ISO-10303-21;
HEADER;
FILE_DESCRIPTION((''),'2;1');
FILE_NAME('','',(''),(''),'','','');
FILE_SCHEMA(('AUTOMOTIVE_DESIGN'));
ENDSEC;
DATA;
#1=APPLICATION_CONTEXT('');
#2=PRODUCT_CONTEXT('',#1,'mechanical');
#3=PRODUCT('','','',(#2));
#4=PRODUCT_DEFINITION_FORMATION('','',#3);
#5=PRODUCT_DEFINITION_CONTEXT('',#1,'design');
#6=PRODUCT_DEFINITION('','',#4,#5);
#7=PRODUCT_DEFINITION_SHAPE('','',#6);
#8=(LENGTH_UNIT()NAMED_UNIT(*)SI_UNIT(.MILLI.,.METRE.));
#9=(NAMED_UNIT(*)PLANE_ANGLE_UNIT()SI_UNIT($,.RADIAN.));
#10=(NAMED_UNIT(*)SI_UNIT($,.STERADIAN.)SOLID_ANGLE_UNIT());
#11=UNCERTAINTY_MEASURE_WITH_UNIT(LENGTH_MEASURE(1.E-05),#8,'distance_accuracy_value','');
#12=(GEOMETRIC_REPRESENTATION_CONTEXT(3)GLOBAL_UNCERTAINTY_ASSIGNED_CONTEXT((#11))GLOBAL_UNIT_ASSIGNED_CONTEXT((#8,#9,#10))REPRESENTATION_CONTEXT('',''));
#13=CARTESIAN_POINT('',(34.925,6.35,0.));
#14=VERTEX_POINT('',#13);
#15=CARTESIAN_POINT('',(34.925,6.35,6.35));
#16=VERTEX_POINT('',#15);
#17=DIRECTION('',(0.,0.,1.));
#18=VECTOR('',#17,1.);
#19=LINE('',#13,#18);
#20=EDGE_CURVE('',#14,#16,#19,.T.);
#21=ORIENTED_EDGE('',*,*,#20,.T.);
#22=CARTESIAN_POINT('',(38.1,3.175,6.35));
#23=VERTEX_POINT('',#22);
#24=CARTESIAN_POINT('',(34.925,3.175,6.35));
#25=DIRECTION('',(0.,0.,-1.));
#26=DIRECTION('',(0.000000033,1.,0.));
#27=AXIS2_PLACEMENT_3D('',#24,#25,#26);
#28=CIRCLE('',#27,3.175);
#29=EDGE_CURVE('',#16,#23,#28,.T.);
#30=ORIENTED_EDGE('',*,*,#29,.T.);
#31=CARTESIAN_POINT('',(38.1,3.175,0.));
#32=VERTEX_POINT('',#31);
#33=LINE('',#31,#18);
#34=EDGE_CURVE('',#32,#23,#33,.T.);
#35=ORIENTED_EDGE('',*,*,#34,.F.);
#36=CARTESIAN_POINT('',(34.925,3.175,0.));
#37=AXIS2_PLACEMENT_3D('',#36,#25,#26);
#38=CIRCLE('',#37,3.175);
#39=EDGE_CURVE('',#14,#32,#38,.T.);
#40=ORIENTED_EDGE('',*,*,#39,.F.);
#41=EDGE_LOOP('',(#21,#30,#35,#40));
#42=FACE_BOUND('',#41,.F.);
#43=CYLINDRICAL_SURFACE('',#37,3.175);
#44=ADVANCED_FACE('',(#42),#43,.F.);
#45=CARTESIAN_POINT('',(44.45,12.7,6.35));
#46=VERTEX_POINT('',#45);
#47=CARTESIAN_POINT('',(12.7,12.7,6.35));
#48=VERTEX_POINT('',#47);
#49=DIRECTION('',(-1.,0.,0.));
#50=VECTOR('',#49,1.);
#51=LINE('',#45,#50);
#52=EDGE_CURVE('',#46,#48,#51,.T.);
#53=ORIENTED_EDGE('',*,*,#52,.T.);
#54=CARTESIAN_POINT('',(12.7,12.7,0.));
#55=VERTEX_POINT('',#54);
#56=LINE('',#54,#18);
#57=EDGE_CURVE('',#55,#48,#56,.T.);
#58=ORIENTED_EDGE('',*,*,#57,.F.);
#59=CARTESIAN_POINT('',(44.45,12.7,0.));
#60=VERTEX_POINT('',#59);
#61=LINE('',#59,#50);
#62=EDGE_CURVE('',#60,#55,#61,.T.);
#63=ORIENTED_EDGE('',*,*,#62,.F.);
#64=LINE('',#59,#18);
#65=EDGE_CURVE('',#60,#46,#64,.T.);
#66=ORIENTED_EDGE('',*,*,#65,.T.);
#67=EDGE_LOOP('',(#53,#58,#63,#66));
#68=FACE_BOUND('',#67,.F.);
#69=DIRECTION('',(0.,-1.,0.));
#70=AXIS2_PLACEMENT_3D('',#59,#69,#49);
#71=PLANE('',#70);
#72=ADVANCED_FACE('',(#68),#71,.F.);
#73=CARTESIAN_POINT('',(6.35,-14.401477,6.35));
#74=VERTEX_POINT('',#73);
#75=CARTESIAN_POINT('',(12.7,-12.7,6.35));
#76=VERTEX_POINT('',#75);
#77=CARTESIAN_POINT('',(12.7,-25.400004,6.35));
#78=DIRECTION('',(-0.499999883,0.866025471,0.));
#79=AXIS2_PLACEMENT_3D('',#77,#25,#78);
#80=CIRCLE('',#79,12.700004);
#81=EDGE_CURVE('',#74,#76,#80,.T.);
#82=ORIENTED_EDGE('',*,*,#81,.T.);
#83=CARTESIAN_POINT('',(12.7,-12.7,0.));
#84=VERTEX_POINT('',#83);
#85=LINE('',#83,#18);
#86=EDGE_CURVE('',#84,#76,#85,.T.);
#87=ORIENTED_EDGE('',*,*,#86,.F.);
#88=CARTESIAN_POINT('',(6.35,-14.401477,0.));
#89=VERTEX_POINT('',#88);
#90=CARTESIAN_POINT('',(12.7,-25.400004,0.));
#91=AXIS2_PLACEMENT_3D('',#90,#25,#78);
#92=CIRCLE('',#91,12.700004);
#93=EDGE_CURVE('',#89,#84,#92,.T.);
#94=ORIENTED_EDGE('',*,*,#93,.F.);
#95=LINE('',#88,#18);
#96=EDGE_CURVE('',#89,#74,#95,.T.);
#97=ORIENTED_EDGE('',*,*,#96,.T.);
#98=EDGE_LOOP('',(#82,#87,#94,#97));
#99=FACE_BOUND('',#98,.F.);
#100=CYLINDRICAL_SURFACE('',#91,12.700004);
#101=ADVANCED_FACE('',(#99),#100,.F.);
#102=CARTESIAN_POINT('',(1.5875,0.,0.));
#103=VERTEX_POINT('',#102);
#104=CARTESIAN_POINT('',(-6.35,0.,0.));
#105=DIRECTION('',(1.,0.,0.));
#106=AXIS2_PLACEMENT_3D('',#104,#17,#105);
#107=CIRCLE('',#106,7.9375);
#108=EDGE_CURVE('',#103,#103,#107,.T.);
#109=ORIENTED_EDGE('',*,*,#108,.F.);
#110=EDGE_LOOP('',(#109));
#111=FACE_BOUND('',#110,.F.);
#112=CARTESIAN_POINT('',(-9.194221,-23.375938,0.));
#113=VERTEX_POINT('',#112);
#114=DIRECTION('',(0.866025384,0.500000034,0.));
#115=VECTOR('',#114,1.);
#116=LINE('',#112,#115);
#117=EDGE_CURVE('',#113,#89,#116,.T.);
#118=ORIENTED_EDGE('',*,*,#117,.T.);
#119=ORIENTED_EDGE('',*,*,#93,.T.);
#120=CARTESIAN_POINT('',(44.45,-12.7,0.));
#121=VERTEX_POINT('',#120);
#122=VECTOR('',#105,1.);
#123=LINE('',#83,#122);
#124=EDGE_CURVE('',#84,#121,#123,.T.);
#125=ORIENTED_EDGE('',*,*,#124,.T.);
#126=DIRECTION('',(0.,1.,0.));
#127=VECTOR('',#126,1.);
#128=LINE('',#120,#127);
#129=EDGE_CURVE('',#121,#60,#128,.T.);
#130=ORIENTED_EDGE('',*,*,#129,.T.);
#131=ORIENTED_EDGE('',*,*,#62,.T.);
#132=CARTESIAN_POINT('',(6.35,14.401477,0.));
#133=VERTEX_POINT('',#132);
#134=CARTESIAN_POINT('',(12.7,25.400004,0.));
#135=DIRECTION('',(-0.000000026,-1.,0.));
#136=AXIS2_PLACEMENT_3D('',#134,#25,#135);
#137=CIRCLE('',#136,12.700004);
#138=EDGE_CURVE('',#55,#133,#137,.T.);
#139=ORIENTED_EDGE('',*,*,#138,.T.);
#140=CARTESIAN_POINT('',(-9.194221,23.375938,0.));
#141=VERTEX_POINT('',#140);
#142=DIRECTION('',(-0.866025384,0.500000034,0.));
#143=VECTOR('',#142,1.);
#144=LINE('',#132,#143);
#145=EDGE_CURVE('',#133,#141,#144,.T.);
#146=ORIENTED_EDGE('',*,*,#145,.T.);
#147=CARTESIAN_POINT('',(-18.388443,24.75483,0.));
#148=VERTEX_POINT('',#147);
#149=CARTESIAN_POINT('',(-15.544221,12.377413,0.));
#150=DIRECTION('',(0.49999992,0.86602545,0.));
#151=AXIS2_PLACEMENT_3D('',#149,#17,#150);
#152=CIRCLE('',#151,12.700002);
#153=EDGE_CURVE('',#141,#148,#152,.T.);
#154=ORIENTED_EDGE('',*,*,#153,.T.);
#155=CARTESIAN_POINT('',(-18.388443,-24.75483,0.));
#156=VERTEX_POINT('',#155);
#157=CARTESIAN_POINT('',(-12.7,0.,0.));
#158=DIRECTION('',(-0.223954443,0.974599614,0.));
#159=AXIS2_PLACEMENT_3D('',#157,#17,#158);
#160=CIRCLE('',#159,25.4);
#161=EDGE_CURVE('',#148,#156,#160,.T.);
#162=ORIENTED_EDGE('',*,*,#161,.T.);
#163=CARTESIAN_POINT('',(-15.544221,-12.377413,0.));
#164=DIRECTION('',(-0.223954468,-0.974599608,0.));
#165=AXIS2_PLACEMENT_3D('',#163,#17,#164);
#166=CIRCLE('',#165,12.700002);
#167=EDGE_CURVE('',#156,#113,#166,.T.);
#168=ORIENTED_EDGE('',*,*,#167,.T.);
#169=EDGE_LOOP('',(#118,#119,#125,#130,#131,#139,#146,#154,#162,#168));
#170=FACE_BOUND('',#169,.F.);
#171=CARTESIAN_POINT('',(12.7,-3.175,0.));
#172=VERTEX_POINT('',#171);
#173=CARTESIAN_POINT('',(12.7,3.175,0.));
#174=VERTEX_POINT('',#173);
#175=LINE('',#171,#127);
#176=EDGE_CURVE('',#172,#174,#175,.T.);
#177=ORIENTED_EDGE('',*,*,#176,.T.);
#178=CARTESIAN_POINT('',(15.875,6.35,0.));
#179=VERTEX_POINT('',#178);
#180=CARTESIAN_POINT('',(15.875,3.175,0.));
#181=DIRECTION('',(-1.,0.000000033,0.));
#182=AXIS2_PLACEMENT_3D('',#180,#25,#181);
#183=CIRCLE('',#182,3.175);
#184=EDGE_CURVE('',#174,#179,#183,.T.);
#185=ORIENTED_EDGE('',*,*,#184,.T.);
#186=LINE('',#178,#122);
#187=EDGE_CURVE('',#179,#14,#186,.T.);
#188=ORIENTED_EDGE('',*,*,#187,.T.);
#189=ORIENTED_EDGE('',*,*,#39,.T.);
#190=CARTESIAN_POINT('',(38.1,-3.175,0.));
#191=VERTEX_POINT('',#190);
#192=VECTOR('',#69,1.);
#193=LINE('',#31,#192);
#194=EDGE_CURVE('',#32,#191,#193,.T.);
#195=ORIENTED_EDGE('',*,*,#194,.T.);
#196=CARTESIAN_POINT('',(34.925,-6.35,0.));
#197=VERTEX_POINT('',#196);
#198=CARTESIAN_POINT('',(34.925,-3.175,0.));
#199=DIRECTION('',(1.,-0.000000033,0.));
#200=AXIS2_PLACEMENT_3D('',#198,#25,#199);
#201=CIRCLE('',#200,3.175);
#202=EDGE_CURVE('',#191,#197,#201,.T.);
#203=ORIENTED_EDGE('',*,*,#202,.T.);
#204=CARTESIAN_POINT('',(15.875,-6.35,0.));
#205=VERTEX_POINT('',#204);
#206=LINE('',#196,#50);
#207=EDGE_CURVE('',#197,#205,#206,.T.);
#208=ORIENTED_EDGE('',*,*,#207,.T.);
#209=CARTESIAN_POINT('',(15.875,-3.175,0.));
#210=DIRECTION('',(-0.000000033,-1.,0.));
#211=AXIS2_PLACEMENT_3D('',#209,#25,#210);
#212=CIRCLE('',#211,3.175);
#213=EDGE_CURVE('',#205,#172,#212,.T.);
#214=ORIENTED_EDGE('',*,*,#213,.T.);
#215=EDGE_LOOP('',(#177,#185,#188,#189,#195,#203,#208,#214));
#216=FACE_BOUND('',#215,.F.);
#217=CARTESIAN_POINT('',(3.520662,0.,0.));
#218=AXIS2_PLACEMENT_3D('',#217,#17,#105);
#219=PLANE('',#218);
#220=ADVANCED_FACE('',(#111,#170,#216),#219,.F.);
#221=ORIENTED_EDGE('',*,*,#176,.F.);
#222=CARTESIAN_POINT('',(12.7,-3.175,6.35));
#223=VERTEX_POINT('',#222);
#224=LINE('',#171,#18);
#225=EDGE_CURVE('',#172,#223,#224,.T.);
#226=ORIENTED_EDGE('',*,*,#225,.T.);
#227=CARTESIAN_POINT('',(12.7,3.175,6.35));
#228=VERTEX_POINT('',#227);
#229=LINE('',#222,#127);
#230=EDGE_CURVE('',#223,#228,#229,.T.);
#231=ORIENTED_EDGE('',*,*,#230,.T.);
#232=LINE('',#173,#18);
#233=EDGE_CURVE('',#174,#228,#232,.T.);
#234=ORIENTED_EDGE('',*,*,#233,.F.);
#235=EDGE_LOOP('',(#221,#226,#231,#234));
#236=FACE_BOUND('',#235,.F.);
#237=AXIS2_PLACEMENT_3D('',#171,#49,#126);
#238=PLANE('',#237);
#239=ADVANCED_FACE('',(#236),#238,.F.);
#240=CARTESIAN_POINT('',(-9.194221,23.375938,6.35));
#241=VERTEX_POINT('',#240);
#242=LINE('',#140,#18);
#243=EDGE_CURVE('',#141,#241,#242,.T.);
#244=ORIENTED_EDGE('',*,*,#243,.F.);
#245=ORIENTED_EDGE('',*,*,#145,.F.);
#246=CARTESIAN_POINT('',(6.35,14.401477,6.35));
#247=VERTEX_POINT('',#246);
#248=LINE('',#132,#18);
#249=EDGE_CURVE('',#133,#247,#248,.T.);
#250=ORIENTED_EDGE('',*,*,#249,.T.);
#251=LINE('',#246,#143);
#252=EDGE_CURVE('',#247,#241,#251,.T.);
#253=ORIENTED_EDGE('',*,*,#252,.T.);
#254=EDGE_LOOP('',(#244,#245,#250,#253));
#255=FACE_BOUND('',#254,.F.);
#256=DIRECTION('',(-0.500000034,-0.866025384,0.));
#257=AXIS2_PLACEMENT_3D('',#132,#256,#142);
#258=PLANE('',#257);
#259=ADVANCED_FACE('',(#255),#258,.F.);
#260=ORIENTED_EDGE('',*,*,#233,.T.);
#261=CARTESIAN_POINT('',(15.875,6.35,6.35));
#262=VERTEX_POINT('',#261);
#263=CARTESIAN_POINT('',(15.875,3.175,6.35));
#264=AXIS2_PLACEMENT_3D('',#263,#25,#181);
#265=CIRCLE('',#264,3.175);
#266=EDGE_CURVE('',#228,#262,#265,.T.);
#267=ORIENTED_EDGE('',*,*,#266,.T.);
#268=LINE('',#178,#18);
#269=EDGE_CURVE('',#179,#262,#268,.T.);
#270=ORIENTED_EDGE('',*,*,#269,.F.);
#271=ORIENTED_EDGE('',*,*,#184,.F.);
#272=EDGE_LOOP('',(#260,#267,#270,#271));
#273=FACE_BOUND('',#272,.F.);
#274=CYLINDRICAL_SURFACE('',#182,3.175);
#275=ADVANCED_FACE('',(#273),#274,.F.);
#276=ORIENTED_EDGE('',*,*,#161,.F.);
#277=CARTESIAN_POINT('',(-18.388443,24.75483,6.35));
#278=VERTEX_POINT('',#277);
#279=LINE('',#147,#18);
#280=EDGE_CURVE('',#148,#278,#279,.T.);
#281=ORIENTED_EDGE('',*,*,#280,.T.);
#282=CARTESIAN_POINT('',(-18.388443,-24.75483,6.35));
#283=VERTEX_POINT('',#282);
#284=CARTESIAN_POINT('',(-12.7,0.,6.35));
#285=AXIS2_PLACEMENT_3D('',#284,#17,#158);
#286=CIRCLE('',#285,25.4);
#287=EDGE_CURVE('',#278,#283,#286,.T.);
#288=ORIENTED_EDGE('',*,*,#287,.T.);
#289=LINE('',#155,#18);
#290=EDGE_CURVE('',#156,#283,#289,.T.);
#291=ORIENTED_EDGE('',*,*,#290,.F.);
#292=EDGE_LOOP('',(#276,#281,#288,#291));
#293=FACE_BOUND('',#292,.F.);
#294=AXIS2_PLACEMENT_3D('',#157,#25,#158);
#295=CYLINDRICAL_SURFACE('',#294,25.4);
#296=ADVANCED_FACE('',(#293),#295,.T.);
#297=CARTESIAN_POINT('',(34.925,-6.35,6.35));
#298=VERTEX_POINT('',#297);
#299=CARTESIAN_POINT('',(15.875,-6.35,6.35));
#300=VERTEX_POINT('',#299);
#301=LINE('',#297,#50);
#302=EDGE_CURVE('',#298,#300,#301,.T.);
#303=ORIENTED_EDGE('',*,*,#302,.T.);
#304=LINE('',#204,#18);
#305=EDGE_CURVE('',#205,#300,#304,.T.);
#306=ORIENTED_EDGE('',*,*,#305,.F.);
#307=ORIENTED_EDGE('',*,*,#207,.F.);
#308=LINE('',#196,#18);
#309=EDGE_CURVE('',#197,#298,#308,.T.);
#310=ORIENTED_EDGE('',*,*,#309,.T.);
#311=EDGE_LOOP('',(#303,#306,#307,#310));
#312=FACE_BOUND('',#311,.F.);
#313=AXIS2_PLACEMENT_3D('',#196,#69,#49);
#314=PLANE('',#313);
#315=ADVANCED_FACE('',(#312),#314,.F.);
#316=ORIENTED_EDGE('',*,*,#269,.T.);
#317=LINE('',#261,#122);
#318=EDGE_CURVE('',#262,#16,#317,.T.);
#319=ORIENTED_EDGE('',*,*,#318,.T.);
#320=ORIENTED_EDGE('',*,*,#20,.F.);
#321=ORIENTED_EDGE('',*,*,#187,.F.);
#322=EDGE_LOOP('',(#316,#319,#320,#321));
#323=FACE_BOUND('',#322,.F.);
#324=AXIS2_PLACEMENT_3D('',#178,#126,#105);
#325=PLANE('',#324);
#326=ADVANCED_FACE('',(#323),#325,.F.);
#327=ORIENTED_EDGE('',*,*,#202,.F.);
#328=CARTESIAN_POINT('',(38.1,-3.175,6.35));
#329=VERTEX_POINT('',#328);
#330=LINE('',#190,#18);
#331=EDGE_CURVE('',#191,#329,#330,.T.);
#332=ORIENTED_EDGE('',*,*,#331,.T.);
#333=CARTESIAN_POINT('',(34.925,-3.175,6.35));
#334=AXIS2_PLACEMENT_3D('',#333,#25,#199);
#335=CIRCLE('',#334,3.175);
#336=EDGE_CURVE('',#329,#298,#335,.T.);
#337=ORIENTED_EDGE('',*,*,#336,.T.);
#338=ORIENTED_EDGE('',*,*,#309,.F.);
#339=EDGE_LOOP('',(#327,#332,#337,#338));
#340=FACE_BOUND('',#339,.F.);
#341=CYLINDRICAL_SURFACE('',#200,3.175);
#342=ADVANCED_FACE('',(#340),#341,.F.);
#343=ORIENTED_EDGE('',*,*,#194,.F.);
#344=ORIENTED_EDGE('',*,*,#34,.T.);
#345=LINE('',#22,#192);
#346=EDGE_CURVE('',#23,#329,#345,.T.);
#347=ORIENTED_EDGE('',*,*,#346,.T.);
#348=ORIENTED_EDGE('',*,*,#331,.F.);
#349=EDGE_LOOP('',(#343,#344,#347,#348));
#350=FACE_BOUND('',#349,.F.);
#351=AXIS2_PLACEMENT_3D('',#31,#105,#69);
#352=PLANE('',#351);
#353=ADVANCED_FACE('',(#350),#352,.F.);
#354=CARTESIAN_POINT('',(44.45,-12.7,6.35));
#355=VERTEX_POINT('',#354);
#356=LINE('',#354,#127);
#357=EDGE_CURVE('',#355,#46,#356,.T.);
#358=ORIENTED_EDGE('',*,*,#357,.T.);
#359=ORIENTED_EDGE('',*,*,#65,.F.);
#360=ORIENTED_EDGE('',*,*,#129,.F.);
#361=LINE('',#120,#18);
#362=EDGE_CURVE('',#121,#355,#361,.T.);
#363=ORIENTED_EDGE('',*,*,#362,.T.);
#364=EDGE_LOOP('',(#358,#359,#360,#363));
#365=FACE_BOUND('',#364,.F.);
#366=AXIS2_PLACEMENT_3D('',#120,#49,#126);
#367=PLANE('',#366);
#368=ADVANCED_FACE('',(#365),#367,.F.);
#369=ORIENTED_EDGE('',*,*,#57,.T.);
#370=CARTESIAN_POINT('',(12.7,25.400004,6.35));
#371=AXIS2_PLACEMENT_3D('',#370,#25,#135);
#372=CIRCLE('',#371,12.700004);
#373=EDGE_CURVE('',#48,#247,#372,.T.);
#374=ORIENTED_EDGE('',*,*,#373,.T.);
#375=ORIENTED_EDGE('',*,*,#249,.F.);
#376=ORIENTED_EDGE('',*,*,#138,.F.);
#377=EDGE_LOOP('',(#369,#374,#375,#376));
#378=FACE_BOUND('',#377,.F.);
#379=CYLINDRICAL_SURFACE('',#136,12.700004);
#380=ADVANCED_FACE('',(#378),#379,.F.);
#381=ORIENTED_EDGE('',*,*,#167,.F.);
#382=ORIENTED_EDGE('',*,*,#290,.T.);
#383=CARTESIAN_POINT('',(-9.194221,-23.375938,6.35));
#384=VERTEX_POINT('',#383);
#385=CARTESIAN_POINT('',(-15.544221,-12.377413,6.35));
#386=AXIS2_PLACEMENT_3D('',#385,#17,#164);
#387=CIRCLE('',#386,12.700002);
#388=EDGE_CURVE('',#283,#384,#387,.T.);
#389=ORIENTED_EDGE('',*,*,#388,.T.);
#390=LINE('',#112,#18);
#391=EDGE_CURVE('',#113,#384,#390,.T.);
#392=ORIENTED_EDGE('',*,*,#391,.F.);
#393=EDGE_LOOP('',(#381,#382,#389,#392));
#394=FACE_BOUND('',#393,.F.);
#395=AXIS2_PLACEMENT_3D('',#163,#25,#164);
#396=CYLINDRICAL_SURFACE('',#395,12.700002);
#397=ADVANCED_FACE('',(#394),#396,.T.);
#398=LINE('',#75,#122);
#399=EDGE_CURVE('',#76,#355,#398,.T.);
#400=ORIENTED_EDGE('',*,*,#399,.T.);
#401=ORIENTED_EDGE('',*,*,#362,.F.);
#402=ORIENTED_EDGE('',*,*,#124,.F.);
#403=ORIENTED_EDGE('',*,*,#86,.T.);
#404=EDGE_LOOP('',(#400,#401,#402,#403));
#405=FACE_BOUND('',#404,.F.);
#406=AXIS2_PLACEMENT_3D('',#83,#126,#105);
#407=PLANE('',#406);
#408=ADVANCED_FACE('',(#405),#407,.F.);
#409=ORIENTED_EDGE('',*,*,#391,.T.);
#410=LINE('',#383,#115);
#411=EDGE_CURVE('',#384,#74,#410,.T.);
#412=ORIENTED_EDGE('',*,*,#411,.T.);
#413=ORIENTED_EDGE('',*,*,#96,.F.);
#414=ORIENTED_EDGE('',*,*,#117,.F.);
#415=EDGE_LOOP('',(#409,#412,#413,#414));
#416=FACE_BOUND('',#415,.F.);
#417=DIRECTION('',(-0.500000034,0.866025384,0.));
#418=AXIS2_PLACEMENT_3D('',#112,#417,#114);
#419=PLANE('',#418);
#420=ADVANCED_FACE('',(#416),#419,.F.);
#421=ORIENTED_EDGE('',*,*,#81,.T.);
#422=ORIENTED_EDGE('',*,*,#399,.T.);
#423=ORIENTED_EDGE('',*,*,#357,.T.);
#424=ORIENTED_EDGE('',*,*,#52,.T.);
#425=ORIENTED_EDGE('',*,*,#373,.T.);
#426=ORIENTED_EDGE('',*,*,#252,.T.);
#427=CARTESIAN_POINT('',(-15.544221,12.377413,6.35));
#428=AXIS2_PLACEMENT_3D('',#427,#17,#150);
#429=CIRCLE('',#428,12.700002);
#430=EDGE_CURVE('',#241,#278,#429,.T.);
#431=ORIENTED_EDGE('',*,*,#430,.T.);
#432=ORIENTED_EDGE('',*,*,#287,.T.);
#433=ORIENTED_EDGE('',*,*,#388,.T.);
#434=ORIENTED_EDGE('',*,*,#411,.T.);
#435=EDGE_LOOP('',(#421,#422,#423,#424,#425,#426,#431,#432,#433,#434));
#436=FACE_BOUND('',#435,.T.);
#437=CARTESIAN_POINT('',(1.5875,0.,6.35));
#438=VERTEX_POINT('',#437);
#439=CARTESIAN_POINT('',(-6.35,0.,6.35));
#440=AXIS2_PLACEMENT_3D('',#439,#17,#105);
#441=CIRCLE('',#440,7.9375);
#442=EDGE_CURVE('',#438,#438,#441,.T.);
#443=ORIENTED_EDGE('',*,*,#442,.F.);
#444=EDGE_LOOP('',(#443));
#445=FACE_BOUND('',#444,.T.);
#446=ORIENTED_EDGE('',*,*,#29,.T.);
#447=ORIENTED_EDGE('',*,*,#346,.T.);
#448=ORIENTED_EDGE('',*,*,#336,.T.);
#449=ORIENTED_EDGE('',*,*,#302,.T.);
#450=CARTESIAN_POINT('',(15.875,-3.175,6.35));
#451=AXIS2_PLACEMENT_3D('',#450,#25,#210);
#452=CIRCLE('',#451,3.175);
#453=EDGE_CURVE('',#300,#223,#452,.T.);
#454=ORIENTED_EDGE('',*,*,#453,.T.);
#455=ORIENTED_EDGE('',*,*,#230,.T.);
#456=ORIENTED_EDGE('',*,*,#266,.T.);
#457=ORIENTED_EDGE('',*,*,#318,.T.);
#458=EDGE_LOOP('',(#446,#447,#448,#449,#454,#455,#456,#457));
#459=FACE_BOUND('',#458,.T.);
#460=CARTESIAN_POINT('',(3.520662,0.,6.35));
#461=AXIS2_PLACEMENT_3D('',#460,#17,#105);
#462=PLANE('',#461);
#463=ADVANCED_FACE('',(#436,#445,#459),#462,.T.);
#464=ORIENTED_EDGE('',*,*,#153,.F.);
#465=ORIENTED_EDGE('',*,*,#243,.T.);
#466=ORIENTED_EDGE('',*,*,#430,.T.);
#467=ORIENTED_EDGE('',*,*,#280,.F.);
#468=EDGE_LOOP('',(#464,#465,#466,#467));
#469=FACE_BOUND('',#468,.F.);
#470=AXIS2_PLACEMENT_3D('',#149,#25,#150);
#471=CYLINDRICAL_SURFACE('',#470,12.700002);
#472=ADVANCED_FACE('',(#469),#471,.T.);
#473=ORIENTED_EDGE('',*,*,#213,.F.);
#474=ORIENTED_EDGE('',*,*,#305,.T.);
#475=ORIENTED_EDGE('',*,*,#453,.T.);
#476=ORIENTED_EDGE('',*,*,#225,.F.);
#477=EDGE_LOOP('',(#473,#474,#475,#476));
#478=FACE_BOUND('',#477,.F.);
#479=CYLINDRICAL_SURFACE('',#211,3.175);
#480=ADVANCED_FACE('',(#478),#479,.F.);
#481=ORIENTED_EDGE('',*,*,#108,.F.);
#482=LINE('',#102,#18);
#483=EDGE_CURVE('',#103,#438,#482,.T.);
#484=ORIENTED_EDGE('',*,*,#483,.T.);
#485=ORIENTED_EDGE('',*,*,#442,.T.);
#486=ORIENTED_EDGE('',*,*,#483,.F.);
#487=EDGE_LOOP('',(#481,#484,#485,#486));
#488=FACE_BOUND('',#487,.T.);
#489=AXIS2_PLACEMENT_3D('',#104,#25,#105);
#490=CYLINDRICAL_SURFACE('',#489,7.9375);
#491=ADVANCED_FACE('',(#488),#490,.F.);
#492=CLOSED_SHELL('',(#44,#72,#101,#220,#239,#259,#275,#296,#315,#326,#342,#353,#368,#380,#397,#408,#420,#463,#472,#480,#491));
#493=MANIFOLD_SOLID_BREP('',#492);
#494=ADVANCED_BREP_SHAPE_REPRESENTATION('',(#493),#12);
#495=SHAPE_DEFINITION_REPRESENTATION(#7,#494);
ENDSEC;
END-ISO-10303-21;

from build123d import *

# Parameters (mm, degrees)
F0_R     = 7.9375
F1_DEPTH = 6.35


with BuildPart() as f1:
    # F0 (on Top) → F1 (new body)
    with BuildSketch(Plane.XY):
        with BuildLine():
            Line((44.45, 12.7), (12.7, 12.7))
            ThreePointArc((12.7, 12.7), (9.412998, 13.132742), (6.35, 14.401477))
            Line((6.35, 14.401477), (-9.194221, 23.375938))
            ThreePointArc((-9.194221, 23.375938), (-13.660619, 24.936955), (-18.388443, 24.75483))
            ThreePointArc((-18.388443, 24.75483), (-38.1, 0), (-18.388443, -24.75483))
            ThreePointArc((-18.388443, -24.75483), (-13.660619, -24.936955), (-9.194221, -23.375938))
            Line((-9.194221, -23.375938), (6.35, -14.401477))
            ThreePointArc((6.35, -14.401477), (9.412998, -13.132742), (12.7, -12.7))
            Line((12.7, -12.7), (44.45, -12.7))
            Line((44.45, -12.7), (44.45, 12.7))
        make_face()
        with Locations((-6.35, 0)):
            Circle(F0_R, mode=Mode.SUBTRACT)
        with BuildLine():
            Line((15.875, 6.35), (34.925, 6.35))
            ThreePointArc((34.925, 6.35), (37.170064, 5.420064), (38.1, 3.175))
            Line((38.1, 3.175), (38.1, -3.175))
            ThreePointArc((38.1, -3.175), (37.170064, -5.420064), (34.925, -6.35))
            Line((34.925, -6.35), (15.875, -6.35))
            ThreePointArc((15.875, -6.35), (13.629936, -5.420064), (12.7, -3.175))
            Line((12.7, -3.175), (12.7, 3.175))
            ThreePointArc((12.7, 3.175), (13.629936, 5.420064), (15.875, 6.35))
        make_face(mode=Mode.SUBTRACT)
    extrude(amount=F1_DEPTH)


solid = f1.part
